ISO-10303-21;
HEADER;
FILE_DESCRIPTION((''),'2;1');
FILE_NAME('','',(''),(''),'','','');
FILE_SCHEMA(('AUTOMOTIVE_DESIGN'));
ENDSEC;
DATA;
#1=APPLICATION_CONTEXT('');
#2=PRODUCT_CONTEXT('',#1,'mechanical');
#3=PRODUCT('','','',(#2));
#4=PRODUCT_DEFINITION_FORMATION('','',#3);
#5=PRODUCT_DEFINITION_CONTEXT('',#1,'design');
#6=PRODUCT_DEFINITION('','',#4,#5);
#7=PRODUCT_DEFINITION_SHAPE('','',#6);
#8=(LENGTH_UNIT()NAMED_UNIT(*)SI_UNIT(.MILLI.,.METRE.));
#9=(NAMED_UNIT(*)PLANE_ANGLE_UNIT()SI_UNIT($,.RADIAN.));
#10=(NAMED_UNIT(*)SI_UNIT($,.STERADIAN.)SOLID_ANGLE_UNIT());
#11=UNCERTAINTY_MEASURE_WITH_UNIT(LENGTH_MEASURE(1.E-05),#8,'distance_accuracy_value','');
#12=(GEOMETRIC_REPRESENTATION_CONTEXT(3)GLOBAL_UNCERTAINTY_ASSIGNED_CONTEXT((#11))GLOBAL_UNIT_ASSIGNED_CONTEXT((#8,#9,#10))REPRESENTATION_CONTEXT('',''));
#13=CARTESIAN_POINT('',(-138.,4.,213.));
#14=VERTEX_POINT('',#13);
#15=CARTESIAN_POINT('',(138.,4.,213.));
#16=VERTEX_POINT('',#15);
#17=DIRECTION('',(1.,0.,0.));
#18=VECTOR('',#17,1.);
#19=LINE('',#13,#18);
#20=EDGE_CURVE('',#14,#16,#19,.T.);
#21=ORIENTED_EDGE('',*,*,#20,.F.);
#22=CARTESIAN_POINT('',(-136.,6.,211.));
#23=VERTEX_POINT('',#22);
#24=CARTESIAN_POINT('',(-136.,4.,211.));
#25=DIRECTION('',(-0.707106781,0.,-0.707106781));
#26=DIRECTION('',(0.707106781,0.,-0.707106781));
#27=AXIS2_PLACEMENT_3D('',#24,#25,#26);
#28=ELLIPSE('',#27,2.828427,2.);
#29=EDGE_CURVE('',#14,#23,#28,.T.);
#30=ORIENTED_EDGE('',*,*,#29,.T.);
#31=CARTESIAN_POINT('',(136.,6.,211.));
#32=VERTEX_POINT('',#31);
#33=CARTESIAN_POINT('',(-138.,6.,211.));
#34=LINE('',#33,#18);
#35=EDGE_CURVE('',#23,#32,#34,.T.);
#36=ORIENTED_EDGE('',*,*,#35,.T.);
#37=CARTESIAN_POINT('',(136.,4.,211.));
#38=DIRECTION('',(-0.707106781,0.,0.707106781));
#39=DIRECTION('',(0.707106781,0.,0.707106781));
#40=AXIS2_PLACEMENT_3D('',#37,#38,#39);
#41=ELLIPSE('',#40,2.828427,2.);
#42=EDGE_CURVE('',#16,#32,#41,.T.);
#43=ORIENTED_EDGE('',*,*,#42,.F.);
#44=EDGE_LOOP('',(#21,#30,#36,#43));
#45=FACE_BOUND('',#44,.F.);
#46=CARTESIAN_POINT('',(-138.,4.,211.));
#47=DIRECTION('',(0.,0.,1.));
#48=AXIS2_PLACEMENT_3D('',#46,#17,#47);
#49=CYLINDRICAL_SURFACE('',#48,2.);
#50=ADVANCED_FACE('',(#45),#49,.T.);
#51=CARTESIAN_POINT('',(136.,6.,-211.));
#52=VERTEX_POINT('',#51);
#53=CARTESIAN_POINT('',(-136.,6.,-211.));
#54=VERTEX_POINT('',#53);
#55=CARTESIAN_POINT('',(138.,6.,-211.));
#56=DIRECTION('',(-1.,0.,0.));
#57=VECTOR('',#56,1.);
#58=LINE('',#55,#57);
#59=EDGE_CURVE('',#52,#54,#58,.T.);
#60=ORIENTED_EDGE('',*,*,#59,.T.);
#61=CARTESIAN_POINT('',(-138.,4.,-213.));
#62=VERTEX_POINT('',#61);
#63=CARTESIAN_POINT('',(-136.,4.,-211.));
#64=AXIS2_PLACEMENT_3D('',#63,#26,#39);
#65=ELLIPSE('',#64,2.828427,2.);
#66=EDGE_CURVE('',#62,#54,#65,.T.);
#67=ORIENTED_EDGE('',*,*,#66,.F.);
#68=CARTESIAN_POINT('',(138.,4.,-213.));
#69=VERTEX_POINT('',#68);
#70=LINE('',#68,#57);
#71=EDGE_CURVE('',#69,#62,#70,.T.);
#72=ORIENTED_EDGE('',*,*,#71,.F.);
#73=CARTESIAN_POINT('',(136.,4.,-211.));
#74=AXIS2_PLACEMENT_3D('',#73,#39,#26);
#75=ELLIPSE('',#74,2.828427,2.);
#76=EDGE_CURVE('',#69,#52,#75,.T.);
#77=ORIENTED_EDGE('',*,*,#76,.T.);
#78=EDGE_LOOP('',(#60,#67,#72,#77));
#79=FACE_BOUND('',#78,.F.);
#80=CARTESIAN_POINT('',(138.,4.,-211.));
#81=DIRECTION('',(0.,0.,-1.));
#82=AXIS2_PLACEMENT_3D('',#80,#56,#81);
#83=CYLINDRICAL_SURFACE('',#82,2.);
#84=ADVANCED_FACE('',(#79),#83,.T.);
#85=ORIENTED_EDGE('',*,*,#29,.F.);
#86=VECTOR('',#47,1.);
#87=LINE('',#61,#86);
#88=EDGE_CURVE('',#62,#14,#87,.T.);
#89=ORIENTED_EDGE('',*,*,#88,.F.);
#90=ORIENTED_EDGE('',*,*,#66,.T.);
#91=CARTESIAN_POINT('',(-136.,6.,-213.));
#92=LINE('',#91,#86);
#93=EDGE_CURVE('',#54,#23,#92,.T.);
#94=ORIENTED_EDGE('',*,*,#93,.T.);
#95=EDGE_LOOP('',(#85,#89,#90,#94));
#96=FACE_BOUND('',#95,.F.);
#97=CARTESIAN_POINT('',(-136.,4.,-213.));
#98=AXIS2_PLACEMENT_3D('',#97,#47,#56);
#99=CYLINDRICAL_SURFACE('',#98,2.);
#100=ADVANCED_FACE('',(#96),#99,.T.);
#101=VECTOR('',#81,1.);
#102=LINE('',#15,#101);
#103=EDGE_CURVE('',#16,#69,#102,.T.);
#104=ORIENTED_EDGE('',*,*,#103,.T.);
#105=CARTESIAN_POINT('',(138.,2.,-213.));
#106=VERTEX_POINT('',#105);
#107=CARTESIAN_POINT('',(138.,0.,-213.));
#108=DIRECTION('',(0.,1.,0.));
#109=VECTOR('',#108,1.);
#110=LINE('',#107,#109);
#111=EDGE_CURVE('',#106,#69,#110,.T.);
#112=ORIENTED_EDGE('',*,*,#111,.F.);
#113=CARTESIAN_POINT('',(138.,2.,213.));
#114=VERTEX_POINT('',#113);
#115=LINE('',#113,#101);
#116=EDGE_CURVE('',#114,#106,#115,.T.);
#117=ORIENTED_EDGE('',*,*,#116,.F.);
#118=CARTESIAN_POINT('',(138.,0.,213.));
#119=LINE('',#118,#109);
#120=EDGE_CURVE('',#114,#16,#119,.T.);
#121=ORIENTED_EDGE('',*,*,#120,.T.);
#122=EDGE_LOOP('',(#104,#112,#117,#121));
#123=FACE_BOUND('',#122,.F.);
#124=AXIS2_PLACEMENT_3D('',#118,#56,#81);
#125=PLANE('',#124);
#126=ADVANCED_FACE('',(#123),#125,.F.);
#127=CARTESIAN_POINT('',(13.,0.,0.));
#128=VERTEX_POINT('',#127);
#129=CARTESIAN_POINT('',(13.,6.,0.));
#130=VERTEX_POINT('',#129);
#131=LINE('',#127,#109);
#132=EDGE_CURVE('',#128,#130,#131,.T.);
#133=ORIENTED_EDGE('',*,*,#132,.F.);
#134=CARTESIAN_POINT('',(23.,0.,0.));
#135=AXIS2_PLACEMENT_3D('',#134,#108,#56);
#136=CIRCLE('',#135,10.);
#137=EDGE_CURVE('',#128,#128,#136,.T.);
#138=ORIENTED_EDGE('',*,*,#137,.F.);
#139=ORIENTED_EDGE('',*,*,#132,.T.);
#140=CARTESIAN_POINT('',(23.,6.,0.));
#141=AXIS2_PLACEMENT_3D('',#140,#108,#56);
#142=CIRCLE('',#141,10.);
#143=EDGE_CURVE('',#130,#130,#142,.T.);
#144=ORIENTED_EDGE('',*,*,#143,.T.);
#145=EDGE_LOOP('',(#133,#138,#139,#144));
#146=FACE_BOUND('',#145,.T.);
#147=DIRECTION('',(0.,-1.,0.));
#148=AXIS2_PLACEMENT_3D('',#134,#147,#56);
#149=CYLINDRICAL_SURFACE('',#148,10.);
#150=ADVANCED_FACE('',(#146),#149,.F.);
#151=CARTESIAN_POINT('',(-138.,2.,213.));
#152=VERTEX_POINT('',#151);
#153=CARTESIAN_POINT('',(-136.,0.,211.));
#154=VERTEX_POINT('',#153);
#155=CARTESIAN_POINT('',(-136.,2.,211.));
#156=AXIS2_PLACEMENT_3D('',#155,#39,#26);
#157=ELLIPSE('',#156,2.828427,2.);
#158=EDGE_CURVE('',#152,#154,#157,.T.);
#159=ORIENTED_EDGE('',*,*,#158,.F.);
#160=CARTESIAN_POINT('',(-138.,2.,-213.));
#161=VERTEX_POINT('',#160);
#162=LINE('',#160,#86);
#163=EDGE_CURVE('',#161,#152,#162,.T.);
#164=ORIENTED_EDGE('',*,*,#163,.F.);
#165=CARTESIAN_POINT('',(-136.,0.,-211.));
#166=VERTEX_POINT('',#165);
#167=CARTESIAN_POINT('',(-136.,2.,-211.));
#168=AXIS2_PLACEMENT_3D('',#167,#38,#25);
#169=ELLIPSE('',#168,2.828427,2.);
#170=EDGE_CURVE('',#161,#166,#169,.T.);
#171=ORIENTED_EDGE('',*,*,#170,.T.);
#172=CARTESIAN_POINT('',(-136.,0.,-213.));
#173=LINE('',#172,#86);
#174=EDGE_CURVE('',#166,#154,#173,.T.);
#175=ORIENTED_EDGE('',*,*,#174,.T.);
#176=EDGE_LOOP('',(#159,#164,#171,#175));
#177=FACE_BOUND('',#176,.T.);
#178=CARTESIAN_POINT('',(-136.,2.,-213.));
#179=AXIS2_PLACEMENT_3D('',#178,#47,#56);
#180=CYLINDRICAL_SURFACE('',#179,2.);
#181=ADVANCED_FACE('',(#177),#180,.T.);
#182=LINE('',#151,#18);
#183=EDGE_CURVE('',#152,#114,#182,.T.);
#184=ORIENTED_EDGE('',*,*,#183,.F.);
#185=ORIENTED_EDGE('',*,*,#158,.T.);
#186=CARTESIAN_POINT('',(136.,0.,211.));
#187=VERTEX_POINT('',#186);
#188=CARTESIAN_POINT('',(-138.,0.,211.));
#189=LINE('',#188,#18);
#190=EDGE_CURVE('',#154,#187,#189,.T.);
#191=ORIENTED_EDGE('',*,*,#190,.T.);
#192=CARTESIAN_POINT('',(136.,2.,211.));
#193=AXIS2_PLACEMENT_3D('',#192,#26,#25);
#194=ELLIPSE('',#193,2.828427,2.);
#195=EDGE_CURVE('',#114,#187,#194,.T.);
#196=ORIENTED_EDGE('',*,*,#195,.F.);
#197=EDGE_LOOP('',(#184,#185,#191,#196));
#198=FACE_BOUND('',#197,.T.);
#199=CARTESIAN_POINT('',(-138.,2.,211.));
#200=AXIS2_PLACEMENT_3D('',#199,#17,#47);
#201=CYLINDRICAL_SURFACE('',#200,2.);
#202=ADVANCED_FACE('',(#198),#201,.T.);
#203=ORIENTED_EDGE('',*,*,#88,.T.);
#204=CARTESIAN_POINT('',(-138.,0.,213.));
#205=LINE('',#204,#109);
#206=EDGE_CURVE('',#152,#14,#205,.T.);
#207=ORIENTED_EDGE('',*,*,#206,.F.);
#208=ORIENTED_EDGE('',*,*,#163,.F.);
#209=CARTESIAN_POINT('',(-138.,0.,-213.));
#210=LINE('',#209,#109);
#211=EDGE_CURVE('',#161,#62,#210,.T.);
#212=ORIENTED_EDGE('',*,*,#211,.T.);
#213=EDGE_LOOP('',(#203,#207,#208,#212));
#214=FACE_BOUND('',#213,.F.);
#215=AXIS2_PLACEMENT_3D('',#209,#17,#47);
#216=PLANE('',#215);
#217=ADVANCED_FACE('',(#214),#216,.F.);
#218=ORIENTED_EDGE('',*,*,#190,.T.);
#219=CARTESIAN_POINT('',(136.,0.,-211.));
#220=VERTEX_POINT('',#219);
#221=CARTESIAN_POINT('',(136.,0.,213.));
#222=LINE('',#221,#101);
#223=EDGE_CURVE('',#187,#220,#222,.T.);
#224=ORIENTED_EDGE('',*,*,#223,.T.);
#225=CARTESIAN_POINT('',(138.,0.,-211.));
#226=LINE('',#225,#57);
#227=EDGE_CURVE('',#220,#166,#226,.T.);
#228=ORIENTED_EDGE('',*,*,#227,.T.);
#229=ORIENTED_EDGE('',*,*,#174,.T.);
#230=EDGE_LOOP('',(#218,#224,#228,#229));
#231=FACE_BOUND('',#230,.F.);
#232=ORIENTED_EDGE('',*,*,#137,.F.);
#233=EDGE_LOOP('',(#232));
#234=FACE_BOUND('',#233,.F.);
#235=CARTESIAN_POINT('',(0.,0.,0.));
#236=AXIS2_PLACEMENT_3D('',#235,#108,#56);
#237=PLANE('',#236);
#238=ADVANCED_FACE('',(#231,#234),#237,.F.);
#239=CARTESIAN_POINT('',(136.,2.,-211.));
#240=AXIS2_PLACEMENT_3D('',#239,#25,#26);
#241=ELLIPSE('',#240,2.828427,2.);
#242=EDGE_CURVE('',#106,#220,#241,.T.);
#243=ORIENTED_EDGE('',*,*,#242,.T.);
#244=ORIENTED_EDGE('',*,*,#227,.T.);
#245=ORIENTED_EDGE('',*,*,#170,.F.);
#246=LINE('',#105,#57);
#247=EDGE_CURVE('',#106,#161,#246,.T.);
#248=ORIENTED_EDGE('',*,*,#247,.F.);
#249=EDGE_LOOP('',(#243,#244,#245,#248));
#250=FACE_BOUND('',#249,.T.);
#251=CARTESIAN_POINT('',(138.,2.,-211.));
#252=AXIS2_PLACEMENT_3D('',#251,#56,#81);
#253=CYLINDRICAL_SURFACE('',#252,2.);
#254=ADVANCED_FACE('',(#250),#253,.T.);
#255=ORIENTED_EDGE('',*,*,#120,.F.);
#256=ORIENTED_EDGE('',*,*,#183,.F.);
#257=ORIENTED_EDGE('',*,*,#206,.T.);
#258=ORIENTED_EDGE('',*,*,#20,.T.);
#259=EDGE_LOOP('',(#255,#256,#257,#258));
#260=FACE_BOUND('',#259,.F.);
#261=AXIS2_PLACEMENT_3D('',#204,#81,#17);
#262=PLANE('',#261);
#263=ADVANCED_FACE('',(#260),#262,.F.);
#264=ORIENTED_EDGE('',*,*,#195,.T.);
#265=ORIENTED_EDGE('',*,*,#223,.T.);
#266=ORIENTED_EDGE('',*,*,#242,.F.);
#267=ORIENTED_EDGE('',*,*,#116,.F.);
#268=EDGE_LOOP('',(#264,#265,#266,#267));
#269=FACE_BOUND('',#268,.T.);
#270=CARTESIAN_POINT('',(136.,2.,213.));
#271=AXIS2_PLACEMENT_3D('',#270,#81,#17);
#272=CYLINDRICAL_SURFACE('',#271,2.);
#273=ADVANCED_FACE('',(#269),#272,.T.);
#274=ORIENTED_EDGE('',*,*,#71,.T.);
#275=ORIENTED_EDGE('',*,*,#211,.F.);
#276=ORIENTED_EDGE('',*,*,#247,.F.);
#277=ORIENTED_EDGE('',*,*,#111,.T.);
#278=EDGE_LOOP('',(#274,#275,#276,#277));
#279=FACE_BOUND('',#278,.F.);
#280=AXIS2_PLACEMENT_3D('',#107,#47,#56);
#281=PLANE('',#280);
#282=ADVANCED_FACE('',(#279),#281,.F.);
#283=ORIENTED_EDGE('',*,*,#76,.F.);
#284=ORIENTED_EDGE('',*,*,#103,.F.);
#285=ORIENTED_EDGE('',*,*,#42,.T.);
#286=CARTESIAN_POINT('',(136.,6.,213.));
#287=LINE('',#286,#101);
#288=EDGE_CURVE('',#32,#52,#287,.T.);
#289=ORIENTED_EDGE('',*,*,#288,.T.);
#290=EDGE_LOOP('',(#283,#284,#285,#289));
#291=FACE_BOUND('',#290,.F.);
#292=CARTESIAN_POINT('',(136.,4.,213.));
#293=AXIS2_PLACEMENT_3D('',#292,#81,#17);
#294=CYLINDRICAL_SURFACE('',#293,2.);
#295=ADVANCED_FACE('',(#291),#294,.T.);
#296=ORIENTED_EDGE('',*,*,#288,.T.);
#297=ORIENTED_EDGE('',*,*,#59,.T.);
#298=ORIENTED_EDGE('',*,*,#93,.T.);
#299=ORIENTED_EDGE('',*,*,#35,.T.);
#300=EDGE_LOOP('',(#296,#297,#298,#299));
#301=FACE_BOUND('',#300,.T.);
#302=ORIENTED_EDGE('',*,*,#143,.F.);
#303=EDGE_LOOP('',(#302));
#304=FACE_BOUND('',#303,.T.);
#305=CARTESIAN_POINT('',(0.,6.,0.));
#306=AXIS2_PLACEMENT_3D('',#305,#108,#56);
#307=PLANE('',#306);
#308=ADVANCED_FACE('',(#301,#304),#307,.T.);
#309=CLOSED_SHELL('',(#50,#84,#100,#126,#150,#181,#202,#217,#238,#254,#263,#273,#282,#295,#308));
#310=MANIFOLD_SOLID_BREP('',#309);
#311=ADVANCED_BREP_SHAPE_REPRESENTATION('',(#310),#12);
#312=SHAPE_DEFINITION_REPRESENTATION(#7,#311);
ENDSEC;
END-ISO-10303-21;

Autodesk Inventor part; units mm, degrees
ref_plane "YZ Plane" through (0, 0, 0) normal (1, 0, 0) x (0, 1, 0)
ref_plane "XZ Plane" through (0, 0, 0) normal (0, 1, 0) x (-1, 0, 0)
ref_plane "XY Plane" through (0, 0, 0) normal (0, 0, 1) x (1, 0, 0)
sketch "Sketch1" plane through (0, 0, 0) normal (0, 1, 0) x (-1, 0, 0)
  line L0 (138, 213) -> (-138, 213)
  line L1 (-138, 213) -> (-138, -213)
  line L2 (-138, -213) -> (138, -213)
  line L3 (138, -213) -> (138, 213)
  line L4 (138, 213) -> (-138, -213) construction
  line L5 (-138, 213) -> (138, -213) construction
  line L6 (0, 0) -> (-23, 0) construction
  circle A0 centre (-23, 0) radius 10
  dimension "d0" = 276
  dimension "d1" = 426
  dimension "d2" = 23
  dimension "d3" = 20
extrude "Extrusion1" add sketch "Sketch1" along normal blind 6
fillet "Fillet1" radius 2 8 edges at (0, 6, 213) (138, 6, 0) (-138, 6, 0) (0, 6, -213) (138, 0, 0) (0, 0, 213) (0, 0, -213) (-138, 0, 0)
properties part number "BaseExtrusion"
